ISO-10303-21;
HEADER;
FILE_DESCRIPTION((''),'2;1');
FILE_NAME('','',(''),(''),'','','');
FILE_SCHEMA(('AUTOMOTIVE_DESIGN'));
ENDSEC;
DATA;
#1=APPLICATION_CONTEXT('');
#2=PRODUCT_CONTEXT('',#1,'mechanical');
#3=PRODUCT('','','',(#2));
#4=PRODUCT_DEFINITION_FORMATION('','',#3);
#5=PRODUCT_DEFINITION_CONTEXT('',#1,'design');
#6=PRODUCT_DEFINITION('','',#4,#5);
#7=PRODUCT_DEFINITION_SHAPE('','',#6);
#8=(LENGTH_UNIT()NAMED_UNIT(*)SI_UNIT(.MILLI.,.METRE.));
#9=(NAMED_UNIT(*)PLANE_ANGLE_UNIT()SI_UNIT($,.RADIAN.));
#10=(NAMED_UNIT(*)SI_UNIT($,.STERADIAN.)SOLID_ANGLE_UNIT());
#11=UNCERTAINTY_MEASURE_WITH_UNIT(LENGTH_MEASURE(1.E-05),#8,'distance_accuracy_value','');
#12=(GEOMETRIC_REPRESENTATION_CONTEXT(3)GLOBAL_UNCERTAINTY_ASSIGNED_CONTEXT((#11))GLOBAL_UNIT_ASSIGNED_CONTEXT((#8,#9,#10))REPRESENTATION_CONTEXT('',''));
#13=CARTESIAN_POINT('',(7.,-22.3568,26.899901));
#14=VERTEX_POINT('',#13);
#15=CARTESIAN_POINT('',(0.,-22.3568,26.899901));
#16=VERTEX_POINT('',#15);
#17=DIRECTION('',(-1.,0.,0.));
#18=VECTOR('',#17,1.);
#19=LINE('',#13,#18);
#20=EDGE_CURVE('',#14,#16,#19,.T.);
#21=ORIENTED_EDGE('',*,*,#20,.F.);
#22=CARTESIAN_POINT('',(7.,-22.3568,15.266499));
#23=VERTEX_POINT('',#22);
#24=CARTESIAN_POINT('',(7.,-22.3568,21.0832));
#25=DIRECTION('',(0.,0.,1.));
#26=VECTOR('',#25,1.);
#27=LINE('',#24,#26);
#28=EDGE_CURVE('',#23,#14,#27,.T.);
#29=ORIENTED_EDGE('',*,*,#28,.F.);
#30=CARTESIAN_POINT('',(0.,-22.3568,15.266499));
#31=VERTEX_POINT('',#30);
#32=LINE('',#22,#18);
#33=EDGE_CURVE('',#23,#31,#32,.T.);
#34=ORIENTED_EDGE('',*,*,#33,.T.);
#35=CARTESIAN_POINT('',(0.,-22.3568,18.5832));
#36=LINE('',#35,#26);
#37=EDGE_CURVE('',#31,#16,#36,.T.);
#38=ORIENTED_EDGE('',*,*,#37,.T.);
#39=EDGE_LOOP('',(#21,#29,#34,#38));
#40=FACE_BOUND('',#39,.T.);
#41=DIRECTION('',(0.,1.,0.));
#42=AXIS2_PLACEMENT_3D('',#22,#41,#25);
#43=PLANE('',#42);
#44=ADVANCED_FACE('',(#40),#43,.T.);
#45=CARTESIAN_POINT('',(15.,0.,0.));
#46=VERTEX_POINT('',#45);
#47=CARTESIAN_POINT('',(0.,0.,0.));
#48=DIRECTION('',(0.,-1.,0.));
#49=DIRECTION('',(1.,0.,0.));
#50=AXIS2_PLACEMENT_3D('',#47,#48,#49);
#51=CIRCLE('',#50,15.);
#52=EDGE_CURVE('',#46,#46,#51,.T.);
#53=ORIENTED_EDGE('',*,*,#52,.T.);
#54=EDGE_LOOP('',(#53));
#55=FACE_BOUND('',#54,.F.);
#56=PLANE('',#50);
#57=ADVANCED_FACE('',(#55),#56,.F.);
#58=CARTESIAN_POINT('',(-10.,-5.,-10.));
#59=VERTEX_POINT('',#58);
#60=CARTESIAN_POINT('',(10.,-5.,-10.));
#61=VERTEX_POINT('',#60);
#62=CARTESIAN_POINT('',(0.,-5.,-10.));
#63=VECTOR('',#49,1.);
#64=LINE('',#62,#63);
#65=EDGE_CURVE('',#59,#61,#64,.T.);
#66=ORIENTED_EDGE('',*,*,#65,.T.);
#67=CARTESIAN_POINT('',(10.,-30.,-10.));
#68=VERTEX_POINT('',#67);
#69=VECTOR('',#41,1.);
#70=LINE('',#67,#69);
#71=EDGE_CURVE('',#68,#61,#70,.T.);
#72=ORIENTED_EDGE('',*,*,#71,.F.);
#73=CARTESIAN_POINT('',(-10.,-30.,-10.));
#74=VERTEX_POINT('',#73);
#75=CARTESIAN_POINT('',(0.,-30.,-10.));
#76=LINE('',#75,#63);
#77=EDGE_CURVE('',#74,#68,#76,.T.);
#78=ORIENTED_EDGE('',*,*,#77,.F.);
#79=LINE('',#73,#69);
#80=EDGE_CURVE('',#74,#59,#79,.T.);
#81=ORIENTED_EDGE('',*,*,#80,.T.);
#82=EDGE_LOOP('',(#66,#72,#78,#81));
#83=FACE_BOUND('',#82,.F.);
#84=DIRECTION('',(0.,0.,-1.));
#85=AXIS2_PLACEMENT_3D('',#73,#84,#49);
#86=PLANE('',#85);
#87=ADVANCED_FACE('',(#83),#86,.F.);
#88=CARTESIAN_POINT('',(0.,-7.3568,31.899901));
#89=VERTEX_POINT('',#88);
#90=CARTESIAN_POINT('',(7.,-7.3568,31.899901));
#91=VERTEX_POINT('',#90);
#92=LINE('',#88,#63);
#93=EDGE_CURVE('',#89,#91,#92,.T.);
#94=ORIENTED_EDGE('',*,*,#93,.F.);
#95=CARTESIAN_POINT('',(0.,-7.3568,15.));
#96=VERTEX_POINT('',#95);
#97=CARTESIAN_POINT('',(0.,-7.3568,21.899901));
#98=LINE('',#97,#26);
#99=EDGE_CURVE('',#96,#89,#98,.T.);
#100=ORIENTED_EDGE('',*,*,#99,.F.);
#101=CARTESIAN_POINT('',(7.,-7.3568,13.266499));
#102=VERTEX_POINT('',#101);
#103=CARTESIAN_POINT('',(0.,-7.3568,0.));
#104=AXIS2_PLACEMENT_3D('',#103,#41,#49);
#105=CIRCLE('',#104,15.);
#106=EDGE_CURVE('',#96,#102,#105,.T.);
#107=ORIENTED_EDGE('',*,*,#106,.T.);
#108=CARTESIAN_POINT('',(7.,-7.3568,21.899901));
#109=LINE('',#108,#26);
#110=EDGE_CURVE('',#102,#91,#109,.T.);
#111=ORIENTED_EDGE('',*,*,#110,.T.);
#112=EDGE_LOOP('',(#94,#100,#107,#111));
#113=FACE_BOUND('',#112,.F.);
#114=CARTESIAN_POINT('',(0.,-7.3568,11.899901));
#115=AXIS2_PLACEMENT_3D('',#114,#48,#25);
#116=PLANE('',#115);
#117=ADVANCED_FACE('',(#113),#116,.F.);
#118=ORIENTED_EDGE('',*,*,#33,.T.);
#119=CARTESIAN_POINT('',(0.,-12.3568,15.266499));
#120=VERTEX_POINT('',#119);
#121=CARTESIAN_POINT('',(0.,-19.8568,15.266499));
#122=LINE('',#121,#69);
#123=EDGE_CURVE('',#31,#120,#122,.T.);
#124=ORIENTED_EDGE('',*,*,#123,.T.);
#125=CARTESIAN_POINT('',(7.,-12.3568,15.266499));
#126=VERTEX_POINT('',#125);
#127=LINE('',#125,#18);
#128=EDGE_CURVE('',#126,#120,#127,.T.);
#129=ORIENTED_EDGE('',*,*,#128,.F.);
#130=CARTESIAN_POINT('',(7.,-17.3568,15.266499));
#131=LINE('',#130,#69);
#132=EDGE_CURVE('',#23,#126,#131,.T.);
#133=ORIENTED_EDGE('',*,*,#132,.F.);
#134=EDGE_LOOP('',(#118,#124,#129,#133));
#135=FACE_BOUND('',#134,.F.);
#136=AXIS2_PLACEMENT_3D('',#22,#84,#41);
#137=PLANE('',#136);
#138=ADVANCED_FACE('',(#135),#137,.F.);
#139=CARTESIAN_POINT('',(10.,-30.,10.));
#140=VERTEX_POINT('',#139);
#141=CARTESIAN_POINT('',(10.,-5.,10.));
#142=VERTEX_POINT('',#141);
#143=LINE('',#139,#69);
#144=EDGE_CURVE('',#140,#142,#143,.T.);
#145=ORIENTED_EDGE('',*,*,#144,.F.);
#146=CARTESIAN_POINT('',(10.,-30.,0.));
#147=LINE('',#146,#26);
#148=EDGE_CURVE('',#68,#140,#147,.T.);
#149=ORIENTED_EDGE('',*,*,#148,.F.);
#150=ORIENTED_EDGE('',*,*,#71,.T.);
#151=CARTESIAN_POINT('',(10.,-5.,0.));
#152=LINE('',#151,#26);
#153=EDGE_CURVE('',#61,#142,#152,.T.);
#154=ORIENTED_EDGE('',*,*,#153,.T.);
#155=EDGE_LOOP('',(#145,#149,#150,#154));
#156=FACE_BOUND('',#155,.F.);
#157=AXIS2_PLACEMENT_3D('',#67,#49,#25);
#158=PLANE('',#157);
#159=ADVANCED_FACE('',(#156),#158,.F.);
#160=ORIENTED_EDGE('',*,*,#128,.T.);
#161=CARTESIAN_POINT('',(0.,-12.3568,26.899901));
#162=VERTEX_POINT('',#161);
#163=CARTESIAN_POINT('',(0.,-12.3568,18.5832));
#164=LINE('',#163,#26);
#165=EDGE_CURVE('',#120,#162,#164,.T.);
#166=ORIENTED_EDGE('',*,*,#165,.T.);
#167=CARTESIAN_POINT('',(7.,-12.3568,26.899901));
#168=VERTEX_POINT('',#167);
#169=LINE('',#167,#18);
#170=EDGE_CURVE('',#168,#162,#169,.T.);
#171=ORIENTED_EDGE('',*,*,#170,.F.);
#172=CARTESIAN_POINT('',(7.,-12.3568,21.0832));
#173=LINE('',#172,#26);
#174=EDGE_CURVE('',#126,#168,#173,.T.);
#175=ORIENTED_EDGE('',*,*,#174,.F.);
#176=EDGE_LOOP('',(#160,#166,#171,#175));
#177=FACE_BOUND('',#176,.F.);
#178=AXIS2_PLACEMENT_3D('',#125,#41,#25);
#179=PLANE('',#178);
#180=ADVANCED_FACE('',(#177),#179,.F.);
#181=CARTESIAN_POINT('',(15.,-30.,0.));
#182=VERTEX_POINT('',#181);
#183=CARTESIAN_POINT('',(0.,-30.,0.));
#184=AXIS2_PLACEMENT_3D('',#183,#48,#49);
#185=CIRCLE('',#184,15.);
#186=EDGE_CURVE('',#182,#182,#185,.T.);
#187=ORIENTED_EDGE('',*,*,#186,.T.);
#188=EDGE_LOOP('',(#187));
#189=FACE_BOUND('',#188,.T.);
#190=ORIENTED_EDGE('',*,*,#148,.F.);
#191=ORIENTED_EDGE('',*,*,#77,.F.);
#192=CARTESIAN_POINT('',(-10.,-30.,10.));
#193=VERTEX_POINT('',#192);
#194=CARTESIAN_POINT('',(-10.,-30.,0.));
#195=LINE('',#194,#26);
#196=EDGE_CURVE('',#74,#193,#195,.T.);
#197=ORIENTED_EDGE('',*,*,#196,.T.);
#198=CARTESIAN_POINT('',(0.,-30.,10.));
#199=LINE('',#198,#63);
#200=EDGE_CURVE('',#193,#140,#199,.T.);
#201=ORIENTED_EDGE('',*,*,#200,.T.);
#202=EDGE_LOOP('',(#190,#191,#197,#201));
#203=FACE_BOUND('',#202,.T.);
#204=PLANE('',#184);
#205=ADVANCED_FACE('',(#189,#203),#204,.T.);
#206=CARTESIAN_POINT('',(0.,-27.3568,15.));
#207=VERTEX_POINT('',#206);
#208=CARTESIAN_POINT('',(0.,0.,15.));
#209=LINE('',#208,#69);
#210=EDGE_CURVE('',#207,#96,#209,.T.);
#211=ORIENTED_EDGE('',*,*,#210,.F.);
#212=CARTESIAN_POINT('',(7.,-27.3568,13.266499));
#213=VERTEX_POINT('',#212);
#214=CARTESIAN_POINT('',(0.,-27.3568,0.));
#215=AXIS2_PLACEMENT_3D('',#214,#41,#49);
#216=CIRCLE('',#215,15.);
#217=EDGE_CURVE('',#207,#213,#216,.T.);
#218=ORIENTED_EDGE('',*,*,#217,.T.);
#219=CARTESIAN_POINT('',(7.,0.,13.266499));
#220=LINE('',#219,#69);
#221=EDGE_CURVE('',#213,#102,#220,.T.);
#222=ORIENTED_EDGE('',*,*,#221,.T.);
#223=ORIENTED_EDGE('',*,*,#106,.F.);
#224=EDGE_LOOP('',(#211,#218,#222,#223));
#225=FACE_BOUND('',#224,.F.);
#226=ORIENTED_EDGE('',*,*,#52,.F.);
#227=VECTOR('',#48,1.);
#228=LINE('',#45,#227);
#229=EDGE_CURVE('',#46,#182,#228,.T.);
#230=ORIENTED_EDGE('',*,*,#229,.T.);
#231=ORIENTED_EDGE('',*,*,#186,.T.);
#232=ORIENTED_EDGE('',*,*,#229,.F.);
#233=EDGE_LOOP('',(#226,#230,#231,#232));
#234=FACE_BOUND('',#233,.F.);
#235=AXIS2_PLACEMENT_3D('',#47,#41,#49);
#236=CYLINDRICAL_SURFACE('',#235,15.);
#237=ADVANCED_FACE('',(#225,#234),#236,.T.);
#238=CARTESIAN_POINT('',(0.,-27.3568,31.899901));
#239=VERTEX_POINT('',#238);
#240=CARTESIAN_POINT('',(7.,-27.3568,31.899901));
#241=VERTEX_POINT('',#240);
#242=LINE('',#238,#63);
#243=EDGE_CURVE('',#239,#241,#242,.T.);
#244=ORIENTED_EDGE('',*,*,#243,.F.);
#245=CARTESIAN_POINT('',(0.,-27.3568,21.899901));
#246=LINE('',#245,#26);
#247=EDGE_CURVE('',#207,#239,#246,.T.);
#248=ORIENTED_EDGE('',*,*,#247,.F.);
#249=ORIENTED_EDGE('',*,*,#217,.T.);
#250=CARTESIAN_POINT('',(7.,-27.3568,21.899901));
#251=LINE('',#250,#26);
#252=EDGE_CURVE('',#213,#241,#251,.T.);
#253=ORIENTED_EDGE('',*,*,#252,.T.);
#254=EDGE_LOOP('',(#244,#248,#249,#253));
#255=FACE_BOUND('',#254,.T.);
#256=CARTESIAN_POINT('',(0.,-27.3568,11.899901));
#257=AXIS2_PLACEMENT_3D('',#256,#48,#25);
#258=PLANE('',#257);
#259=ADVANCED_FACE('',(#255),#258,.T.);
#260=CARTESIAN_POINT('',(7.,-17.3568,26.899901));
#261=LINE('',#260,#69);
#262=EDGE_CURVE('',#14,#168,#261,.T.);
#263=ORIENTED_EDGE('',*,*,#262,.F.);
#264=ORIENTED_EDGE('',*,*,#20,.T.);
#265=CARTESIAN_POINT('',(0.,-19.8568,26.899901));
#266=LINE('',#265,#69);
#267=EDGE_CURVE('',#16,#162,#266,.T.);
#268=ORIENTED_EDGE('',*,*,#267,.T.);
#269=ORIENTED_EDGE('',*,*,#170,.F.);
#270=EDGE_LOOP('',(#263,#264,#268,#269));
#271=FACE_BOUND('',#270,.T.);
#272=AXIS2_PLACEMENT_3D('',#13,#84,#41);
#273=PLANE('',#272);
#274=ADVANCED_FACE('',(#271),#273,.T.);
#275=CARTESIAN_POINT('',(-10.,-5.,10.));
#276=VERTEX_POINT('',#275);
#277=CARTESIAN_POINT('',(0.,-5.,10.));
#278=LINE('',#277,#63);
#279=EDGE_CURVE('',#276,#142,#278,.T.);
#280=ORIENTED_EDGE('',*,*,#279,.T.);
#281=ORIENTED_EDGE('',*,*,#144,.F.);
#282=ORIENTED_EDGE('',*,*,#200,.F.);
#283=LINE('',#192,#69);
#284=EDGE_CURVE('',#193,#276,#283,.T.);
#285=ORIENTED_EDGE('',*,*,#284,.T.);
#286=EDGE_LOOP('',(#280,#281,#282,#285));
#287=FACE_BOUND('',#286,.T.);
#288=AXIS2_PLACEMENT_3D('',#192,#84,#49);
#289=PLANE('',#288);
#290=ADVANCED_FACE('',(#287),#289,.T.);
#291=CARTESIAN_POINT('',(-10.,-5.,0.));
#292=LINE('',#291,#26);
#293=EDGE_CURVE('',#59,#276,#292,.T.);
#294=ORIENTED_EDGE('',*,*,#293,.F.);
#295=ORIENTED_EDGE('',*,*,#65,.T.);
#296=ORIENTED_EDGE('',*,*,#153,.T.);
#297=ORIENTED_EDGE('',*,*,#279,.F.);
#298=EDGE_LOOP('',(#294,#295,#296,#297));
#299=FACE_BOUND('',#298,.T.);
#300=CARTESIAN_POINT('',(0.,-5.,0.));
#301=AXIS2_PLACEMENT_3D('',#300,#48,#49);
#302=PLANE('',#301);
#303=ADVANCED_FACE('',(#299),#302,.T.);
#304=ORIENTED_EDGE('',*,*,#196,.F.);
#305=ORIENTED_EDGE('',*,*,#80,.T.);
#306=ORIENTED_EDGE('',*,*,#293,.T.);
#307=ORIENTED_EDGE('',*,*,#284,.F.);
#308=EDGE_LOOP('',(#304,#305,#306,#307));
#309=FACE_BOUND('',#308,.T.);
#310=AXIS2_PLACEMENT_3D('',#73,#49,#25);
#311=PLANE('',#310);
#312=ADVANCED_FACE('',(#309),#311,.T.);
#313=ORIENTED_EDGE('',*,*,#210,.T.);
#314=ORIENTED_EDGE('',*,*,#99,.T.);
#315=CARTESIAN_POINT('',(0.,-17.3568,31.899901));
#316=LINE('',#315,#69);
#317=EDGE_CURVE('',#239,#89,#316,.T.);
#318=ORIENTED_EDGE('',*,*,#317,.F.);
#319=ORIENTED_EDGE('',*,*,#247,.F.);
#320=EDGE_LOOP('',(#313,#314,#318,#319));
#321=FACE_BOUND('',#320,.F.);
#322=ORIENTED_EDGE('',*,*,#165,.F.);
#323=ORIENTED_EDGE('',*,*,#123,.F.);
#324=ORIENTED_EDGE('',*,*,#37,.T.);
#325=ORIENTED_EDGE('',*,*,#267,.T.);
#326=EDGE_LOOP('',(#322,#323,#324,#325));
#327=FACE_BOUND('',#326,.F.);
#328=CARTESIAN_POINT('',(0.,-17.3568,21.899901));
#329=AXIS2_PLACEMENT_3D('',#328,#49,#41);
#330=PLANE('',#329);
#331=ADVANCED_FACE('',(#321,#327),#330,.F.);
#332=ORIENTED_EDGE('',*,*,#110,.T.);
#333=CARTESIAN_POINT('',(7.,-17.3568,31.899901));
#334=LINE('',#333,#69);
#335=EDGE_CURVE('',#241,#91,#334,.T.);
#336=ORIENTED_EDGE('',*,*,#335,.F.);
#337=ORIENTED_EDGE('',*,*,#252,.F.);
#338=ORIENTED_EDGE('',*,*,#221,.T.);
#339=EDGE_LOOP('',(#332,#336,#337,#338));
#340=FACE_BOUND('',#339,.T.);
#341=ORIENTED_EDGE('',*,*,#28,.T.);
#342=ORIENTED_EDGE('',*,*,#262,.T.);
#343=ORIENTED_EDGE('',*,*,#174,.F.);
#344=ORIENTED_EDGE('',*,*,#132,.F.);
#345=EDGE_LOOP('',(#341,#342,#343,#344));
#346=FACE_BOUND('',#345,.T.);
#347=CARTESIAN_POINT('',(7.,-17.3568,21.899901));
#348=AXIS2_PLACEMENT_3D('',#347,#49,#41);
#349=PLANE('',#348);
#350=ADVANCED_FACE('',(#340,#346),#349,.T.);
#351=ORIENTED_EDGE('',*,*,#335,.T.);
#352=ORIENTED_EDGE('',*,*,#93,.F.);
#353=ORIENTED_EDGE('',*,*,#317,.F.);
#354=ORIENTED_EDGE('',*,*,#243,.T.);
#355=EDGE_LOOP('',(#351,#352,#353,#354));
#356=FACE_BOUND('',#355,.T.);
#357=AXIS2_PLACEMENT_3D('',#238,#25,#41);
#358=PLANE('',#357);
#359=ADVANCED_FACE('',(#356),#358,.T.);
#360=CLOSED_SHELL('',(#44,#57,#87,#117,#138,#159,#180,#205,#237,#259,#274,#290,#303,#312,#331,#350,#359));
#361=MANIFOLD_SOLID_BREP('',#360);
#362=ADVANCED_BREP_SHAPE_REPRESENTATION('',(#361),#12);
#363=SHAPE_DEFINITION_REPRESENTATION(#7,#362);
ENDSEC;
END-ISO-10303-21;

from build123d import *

# Parameters (mm, degrees)
F0_R     = 15
F1_DEPTH = 30
F2_W     = 20
F2_H     = 20
F3_DEPTH = 25
F4_W     = 20
F4_H     = 20
F5_DEPTH = 7
F6_W     = 10
F6_H     = 11.633402
F7_DEPTH = 20


with BuildPart() as f1:
    # F0 (on Front) → F1 (new body)
    with BuildSketch(Plane.XZ):
        Circle(F0_R)
    extrude(amount=F1_DEPTH)

    # F2 (on face) → F3 (cut)
    with BuildSketch(Plane.XZ.offset(30)):
        Rectangle(F2_W, F2_H)
    extrude(amount=-F3_DEPTH, mode=Mode.SUBTRACT)

    # F4 (on Right) → F5 (join)
    with BuildSketch(Plane.YZ):
        with Locations((-17.3568, 21.899901)):
            Rectangle(F4_W, F4_H)
    extrude(amount=F5_DEPTH)

    # F6 (on face) → F7 (cut)
    with BuildSketch(Plane.YZ.offset(7)):
        with Locations((-17.3568, 21.0832)):
            Rectangle(F6_W, F6_H)
    extrude(amount=-F7_DEPTH, mode=Mode.SUBTRACT)


solid = f1.part
